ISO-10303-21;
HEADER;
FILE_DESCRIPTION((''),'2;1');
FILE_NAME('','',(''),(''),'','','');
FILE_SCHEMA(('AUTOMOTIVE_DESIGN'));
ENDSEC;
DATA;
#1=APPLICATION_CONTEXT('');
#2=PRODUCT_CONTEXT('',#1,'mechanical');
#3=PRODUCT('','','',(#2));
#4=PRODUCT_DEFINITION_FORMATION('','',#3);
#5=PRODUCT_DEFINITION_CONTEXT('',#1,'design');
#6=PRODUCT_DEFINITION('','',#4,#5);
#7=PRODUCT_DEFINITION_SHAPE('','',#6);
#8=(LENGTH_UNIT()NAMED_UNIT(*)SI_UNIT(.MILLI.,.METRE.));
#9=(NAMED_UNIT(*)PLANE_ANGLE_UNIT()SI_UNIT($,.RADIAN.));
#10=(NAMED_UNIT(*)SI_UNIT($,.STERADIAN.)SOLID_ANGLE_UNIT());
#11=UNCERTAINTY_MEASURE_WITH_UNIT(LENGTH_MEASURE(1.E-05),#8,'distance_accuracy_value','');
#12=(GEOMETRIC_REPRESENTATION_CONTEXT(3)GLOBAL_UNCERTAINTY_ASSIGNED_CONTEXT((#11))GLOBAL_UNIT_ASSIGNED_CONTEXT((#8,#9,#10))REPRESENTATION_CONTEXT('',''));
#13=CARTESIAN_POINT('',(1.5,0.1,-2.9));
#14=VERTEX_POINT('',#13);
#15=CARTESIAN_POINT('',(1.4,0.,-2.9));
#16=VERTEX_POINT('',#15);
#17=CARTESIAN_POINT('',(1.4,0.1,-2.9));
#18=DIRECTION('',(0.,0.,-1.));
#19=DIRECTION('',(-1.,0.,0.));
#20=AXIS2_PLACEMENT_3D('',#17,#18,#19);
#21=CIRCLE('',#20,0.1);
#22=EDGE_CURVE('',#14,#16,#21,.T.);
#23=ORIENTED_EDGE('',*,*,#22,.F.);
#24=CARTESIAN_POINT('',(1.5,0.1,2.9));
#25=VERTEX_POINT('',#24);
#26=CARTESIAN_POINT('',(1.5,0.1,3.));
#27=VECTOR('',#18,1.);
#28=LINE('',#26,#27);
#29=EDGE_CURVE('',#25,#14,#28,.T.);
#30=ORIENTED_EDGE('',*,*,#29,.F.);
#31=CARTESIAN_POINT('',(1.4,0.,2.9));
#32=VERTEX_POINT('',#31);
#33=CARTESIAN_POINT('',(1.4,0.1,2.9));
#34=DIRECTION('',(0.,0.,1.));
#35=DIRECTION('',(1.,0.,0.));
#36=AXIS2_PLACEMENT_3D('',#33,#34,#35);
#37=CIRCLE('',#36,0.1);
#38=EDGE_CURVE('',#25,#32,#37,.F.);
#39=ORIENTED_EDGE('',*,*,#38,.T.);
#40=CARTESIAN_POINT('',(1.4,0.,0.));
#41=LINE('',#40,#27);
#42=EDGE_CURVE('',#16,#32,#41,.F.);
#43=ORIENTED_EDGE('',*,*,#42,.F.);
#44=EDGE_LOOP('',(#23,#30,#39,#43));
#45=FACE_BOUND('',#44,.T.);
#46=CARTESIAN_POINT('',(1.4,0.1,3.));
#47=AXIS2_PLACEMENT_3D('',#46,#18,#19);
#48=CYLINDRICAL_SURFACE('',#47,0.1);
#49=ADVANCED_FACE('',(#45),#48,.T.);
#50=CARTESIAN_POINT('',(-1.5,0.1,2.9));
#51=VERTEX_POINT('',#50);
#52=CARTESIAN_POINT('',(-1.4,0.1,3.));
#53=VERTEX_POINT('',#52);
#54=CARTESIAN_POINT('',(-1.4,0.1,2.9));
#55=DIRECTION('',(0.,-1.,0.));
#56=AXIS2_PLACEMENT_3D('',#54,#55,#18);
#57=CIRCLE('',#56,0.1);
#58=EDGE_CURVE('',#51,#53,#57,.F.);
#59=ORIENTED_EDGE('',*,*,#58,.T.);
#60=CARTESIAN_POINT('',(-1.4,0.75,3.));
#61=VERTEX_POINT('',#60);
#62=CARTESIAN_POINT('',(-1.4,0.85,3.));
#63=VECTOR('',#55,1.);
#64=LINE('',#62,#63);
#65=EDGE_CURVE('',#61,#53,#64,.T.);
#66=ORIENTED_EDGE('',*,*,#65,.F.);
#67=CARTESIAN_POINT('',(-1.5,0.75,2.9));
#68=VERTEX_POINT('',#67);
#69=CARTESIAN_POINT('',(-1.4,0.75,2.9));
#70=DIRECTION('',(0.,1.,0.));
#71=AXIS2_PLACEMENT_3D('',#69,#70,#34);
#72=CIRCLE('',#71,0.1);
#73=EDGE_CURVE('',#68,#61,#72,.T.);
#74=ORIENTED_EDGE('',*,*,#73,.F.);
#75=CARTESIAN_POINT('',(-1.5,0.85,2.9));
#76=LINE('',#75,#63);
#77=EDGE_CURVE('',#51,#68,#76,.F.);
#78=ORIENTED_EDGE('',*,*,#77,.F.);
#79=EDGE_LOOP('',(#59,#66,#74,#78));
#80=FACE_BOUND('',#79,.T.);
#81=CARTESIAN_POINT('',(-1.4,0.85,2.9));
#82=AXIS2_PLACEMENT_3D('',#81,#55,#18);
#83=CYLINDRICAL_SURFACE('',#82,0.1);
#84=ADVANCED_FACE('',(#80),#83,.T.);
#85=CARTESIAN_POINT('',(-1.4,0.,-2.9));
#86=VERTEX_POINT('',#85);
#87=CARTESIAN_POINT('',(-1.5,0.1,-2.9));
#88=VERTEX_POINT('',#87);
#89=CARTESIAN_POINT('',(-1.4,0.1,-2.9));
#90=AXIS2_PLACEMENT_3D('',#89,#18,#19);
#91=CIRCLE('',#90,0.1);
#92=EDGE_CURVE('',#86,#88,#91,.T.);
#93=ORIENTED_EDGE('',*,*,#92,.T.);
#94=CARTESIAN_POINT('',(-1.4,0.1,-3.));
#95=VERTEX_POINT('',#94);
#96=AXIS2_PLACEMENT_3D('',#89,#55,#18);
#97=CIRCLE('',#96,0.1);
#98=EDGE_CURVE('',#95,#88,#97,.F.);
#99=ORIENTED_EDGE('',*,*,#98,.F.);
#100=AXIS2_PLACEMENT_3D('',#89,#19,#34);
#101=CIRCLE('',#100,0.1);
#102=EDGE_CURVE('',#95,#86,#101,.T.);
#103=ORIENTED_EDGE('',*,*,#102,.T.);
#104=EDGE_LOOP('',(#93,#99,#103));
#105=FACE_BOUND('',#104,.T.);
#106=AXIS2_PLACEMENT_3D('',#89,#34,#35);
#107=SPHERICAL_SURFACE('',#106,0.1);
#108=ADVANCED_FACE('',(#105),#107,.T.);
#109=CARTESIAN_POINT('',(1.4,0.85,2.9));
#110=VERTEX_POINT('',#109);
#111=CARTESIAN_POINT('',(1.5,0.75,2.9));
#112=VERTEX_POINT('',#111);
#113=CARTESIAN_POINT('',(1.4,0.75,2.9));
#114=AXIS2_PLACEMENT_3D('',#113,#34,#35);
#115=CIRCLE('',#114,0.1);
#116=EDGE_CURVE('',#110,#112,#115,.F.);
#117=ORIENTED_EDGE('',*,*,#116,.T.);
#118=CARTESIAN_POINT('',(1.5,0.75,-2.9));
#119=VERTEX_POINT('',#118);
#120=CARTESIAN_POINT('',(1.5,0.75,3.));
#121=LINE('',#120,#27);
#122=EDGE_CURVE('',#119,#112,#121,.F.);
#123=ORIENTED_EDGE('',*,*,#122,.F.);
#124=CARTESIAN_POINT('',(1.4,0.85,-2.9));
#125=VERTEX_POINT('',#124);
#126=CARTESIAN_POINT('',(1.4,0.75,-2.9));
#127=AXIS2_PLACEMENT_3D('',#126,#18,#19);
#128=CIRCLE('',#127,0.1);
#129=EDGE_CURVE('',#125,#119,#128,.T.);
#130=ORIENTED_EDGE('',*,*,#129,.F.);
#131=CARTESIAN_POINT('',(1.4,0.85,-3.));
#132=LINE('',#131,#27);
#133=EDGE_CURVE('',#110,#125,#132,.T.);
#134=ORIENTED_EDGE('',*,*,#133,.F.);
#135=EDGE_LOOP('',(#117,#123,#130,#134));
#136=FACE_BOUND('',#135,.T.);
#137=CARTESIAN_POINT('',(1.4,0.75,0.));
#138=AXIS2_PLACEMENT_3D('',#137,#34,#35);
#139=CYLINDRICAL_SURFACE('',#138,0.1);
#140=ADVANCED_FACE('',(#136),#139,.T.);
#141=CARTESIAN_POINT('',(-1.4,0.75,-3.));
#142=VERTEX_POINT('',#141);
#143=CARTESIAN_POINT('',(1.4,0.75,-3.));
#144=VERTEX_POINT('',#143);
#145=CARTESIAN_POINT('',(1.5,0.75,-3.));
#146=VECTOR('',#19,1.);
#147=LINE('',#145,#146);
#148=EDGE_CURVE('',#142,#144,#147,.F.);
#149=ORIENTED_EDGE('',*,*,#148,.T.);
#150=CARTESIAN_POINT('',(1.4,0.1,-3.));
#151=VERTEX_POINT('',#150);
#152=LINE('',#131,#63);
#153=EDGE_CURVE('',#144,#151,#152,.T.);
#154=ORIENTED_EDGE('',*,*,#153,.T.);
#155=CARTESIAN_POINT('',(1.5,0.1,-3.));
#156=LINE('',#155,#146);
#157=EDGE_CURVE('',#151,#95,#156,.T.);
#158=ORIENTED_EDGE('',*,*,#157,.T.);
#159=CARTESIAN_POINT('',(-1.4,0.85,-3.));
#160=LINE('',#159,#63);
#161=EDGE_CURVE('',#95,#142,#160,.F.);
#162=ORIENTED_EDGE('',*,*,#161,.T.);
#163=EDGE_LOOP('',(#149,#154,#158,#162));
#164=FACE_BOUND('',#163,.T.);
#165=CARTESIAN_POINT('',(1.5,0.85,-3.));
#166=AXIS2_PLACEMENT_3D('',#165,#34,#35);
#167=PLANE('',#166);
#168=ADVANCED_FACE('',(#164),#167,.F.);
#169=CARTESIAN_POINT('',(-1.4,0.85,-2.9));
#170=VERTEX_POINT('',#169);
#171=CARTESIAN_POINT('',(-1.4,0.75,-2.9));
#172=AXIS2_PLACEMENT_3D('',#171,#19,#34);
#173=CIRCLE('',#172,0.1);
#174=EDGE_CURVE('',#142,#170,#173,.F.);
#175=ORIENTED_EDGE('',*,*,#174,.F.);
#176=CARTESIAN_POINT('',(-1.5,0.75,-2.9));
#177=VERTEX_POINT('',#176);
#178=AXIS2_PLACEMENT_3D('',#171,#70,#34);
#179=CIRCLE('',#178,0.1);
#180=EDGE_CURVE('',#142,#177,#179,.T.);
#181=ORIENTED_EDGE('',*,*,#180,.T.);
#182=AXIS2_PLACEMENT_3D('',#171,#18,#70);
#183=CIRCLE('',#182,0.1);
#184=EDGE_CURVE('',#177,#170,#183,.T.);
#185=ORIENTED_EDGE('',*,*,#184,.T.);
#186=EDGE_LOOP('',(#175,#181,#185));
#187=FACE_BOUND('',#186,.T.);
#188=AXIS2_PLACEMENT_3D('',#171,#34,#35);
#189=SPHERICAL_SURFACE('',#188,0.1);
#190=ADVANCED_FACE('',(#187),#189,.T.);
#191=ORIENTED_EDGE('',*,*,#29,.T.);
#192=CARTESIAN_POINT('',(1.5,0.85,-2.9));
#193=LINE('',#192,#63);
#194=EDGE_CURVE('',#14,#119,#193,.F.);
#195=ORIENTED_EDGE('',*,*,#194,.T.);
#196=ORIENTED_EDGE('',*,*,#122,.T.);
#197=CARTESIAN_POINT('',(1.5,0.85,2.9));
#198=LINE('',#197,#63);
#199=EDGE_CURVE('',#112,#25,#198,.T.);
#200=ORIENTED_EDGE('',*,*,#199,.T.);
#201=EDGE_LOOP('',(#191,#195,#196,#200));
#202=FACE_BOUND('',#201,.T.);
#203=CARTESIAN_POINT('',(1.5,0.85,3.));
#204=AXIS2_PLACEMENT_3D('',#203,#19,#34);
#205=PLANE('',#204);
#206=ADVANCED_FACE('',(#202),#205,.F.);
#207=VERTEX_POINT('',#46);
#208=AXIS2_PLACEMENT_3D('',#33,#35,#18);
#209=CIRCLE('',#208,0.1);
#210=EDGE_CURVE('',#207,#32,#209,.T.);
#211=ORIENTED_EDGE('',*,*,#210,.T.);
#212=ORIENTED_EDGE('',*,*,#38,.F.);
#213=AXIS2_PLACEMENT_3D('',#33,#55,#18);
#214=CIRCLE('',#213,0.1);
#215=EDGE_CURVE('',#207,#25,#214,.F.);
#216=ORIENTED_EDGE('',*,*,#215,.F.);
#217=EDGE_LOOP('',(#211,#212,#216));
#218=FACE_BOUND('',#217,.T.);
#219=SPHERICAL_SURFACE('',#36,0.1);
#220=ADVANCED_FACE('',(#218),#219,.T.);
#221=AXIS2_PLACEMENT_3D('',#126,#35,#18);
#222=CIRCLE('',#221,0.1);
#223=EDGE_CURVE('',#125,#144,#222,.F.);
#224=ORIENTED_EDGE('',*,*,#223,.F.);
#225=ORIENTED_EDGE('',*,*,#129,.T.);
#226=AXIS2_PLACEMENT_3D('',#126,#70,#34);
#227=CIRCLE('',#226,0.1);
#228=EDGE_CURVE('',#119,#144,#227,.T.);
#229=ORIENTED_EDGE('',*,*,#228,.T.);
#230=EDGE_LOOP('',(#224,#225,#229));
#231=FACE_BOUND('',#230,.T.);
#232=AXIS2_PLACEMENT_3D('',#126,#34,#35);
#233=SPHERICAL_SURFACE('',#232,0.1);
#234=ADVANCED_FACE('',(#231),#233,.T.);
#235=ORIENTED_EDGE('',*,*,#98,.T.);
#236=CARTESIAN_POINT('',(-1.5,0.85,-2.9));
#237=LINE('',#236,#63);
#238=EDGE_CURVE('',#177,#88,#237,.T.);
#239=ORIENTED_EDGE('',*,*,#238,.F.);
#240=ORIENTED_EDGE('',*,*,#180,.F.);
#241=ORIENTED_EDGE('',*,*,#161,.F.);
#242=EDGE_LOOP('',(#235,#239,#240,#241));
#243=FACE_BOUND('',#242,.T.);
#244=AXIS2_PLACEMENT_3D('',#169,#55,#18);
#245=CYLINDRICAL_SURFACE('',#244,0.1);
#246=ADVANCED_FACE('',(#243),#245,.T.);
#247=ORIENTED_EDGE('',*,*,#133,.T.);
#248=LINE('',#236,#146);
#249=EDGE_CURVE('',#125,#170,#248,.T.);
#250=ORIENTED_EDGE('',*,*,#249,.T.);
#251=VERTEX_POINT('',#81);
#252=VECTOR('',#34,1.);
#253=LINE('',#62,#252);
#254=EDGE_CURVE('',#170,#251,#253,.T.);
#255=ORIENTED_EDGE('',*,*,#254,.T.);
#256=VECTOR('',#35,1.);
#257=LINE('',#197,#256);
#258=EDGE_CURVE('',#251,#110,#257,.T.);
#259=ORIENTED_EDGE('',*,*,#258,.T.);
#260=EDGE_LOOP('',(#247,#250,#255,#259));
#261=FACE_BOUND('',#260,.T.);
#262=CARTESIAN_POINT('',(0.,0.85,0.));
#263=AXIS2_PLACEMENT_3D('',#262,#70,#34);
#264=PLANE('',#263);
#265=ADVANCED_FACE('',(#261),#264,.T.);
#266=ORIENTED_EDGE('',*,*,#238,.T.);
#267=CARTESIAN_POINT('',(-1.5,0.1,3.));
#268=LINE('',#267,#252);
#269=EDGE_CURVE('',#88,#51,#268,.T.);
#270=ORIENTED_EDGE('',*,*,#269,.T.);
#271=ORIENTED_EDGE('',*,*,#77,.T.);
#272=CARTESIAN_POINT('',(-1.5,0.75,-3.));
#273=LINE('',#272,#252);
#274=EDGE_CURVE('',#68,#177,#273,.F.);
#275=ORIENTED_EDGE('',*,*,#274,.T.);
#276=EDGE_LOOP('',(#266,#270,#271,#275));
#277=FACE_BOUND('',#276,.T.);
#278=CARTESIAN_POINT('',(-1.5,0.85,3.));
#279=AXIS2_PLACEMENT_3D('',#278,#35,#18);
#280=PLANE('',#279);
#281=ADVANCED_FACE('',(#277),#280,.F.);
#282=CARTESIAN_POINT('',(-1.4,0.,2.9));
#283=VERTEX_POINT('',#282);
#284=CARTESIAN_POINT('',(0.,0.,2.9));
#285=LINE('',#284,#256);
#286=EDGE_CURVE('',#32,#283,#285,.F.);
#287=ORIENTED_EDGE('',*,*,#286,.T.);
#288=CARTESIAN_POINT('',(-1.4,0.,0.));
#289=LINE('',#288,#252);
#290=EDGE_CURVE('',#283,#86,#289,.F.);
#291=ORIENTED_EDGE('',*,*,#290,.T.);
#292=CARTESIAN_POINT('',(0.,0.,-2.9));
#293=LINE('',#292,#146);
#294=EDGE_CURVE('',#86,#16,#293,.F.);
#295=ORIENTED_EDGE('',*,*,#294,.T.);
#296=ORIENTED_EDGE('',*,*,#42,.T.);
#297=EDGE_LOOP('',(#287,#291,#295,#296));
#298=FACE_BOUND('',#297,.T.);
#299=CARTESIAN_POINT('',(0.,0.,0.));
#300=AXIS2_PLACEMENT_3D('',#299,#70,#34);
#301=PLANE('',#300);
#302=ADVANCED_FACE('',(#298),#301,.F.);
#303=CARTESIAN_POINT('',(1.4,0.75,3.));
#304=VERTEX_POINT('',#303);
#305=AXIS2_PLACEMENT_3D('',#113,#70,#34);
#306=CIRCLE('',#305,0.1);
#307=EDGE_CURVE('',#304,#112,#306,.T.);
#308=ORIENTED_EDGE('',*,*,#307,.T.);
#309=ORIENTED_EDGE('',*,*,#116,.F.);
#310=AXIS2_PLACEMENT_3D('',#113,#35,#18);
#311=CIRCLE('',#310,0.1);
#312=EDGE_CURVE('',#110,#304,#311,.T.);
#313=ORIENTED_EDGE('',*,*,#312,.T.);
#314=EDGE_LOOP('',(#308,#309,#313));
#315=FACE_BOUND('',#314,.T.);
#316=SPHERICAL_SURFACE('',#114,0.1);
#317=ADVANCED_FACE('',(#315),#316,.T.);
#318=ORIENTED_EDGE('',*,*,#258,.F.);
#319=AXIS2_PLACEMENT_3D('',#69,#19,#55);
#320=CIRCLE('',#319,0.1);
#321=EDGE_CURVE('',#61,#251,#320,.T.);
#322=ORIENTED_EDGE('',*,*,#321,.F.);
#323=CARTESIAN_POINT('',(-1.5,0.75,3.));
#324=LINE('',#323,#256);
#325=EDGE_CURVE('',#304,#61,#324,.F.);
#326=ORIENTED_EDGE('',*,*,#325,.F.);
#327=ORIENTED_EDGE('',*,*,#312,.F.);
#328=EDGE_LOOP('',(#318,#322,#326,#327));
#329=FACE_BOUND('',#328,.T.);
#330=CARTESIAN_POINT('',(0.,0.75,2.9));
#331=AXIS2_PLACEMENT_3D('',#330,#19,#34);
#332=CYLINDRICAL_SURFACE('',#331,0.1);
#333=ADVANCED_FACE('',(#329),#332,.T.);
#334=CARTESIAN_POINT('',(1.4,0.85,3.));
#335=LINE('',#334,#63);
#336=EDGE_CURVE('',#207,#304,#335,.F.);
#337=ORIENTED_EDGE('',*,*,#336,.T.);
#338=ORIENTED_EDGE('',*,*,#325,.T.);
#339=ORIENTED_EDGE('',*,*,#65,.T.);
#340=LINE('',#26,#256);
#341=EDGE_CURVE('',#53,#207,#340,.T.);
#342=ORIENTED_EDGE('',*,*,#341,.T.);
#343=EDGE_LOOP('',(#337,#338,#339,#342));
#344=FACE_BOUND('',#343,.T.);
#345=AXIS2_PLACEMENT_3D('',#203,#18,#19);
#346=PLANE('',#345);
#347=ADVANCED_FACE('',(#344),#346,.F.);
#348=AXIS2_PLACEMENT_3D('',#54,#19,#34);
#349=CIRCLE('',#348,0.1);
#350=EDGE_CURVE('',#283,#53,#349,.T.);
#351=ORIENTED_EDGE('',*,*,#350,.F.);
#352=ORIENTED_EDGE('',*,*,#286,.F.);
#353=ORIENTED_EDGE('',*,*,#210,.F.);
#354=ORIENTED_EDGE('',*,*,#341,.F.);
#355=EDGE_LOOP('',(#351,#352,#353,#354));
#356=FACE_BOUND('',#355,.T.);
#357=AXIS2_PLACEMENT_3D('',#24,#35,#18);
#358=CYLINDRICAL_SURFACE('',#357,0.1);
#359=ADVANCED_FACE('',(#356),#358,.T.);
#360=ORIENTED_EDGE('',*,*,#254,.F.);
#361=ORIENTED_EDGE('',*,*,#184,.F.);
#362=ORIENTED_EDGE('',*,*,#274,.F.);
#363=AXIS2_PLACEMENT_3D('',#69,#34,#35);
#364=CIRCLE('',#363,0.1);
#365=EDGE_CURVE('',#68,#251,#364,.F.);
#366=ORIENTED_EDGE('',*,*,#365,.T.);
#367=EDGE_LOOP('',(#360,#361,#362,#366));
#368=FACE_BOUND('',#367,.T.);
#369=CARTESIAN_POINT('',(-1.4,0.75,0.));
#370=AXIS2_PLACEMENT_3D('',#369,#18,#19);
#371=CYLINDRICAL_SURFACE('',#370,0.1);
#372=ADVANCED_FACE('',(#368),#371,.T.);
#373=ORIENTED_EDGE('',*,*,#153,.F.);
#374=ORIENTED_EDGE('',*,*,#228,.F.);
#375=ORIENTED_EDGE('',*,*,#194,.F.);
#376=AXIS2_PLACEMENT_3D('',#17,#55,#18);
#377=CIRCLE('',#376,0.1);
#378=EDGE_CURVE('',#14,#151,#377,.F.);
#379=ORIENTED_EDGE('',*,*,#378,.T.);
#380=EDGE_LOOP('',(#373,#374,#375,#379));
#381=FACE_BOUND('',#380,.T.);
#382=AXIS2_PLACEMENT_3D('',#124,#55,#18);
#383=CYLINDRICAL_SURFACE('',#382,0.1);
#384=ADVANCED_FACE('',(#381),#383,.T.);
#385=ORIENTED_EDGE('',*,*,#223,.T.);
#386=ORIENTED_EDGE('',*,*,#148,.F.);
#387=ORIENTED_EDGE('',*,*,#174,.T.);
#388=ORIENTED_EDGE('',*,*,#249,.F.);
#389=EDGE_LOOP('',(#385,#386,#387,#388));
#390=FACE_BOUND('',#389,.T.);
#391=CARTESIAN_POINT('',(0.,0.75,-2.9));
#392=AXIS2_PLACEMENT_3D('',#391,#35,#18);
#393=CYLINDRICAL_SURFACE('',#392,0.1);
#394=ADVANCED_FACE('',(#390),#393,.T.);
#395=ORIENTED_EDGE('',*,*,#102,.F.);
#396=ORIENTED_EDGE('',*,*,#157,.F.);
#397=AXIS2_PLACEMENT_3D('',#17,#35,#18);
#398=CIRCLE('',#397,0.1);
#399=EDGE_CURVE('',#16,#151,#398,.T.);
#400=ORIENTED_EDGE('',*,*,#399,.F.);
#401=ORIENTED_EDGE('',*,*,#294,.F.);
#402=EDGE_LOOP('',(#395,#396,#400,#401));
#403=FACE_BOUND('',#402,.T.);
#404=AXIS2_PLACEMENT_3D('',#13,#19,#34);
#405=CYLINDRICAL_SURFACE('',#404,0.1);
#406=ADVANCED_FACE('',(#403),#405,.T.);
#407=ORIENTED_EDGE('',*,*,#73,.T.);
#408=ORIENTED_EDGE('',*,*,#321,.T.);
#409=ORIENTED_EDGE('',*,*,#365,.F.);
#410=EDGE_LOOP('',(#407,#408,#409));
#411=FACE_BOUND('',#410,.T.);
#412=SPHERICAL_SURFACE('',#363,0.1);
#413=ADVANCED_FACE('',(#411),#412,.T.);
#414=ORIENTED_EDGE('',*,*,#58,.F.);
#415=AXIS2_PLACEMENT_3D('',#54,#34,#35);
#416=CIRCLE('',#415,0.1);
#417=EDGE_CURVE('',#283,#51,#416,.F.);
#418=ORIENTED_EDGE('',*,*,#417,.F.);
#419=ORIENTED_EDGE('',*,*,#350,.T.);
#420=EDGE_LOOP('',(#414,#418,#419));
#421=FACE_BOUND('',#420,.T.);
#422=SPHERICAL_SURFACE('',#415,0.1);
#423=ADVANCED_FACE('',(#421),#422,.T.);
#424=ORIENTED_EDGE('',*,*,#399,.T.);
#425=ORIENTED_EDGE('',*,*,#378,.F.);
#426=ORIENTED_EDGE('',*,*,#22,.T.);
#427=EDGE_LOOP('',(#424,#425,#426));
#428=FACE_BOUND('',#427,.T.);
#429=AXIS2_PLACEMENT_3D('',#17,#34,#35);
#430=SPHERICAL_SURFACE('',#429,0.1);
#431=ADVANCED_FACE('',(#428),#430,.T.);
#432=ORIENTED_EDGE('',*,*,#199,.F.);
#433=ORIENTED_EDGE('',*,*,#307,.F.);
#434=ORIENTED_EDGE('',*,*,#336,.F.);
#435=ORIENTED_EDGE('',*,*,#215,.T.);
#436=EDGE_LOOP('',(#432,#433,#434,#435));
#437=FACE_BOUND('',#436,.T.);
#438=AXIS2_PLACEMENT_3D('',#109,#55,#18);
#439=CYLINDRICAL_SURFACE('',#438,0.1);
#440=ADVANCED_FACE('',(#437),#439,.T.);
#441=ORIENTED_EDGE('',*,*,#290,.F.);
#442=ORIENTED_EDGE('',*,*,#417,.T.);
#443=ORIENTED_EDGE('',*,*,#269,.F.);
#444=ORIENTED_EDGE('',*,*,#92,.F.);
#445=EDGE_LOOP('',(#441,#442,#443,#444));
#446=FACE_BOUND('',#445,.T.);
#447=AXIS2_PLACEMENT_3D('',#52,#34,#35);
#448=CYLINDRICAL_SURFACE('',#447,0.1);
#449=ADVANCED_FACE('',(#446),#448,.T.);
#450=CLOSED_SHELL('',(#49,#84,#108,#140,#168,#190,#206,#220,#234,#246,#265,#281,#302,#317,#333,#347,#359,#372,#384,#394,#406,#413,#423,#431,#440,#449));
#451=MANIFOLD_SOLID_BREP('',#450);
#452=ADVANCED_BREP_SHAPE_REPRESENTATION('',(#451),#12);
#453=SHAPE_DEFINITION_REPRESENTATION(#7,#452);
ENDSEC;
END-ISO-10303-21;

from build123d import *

# Parameters (mm, degrees)
ESQUISSE3_W        = 3
ESQUISSE3_H        = 6
BOSS_EXTRU_2_DEPTH = 0.85
CONG_2_R           = 0.1


with BuildPart() as part:
    # Esquisse3 → Boss.-Extru.2 (new body)
    with BuildSketch(Plane(origin=(0, 0, 0), x_dir=(1, 0, 0), z_dir=(0, 1, 0))):
        Rectangle(ESQUISSE3_W, ESQUISSE3_H)
    extrude(amount=BOSS_EXTRU_2_DEPTH)

    # Congé2
    cong_2_edges = [part.edges().sort_by_distance(p)[0] for p in [
        (1.5, 0.85, 0),
        (0, 0.85, -3),
        (-1.5, 0.85, 0),
        (0, 0, -3),
        (1.5, 0, 0),
        (0, 0, 3),
        (-1.5, 0, 0),
        (0, 0.85, 3),
        (-1.5, 0.425, -3),
        (1.5, 0.425, -3),
        (1.5, 0.425, 3),
        (-1.5, 0.425, 3),
    ]]
    fillet(cong_2_edges, radius=CONG_2_R)


solid = part.part
